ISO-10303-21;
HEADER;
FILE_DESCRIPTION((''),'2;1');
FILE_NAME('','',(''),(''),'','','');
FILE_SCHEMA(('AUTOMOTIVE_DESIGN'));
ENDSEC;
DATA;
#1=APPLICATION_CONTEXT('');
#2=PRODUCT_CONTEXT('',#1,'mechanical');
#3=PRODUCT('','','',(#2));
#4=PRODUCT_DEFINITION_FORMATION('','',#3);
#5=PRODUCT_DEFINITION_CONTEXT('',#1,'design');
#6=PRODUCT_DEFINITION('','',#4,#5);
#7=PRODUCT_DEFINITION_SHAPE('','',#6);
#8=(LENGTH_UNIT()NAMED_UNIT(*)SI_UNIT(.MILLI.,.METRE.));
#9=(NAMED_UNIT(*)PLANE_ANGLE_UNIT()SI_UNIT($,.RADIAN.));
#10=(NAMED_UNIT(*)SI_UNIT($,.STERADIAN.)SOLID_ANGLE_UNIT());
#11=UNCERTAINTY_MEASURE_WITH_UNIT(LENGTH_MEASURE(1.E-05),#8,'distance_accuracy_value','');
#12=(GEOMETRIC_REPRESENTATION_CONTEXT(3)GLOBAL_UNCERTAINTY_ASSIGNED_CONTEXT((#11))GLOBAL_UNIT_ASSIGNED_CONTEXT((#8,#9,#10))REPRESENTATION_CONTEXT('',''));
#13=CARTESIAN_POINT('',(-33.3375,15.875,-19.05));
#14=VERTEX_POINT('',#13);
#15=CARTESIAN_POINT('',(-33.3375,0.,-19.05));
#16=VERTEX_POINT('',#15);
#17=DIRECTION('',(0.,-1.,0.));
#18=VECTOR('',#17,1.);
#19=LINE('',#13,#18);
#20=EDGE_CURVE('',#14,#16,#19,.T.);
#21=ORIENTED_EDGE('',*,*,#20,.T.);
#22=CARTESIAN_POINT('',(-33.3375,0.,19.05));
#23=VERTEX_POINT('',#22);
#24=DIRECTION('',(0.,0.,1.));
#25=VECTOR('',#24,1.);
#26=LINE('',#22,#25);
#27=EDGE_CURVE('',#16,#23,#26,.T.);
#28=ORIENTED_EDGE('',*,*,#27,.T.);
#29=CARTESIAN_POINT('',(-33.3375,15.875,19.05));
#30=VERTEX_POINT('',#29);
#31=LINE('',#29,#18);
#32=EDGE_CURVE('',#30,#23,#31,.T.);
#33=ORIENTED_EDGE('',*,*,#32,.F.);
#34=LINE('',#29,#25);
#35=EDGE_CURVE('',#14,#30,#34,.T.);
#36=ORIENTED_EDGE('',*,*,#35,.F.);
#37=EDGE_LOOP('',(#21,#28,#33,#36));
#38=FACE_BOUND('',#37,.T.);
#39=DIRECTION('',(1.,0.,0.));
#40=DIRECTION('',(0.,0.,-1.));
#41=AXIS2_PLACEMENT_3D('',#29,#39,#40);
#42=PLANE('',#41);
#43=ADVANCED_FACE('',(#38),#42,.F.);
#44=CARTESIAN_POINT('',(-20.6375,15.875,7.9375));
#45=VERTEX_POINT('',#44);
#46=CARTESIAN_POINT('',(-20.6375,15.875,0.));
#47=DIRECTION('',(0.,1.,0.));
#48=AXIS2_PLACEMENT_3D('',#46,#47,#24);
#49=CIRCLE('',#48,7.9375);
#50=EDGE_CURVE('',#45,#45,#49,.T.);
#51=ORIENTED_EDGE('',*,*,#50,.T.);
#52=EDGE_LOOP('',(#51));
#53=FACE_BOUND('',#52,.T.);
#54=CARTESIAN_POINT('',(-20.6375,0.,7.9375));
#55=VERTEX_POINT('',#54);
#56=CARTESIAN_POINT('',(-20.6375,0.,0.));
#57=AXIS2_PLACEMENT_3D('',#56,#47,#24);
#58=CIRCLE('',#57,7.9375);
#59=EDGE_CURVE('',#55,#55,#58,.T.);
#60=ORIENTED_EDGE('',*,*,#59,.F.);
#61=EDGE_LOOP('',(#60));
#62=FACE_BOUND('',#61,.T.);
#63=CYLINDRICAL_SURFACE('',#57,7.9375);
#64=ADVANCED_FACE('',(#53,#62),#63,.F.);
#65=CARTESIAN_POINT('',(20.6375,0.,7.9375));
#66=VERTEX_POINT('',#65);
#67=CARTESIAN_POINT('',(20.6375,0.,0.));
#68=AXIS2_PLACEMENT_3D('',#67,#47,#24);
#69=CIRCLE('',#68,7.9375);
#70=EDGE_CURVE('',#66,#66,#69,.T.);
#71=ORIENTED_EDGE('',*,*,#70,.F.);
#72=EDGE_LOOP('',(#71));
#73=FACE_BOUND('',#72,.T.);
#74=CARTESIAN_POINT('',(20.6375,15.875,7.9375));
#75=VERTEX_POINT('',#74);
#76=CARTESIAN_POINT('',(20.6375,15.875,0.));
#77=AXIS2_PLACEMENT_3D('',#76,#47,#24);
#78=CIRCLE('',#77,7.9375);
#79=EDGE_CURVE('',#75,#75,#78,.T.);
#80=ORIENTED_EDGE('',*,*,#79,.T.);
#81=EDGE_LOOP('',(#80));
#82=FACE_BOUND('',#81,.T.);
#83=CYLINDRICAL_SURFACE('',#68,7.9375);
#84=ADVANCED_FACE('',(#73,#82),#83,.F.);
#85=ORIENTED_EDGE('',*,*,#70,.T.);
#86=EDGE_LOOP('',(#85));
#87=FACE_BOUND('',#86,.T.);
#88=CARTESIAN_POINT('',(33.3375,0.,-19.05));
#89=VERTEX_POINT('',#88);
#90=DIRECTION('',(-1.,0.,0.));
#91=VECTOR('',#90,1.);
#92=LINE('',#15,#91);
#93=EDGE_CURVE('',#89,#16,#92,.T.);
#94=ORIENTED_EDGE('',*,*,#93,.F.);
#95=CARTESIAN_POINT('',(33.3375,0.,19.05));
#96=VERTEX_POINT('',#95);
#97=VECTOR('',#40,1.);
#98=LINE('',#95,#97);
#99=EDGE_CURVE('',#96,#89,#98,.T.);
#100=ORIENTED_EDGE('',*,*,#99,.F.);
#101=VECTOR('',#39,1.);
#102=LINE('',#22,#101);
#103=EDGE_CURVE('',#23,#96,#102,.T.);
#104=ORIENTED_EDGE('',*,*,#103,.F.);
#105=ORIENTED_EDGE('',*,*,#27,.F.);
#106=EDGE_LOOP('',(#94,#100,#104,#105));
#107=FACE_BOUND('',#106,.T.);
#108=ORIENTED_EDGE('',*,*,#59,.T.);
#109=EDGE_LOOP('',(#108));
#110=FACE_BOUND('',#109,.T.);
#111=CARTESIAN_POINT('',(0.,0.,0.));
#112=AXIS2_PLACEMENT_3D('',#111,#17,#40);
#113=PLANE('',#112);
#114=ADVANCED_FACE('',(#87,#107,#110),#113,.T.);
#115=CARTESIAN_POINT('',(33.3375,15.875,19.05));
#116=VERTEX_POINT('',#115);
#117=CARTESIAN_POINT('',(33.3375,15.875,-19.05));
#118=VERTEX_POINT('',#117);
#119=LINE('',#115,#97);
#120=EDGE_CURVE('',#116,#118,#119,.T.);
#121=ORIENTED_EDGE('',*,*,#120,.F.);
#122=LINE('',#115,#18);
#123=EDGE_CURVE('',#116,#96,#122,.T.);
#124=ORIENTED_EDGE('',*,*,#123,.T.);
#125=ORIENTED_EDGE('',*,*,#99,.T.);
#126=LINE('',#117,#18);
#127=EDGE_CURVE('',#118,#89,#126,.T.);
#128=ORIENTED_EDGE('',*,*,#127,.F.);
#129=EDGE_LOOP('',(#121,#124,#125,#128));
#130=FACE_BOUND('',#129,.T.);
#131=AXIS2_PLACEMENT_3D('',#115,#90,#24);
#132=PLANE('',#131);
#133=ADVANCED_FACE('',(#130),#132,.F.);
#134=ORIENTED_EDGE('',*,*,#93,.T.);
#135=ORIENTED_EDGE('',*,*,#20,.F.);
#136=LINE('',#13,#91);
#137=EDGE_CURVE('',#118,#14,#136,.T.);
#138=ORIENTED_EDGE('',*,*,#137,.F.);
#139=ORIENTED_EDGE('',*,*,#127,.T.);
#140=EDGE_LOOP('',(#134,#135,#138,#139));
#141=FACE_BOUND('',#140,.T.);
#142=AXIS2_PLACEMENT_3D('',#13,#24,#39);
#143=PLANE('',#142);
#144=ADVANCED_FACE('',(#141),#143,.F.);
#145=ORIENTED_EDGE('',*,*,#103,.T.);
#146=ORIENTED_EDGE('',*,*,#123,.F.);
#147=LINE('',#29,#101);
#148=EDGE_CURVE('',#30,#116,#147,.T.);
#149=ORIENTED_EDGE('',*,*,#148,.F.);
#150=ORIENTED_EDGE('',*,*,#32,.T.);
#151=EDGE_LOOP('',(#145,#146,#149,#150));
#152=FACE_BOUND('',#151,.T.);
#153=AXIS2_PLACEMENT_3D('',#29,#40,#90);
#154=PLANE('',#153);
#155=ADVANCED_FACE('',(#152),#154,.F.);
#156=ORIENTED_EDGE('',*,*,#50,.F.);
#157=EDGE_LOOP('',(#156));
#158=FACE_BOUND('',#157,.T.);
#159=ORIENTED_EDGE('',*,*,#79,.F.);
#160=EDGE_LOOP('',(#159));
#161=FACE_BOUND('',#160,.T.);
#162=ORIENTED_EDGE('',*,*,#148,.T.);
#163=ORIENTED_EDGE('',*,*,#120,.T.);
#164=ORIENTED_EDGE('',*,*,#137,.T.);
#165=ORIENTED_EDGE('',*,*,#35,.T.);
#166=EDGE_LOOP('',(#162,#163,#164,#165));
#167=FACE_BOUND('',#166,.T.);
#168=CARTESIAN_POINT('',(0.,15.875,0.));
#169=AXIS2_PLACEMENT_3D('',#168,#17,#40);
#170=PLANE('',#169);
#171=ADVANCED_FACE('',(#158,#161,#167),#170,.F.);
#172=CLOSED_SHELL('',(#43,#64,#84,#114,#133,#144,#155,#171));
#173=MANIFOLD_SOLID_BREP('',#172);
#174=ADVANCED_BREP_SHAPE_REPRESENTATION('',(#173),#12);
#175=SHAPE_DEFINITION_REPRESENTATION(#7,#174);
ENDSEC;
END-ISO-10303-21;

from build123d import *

# Parameters (mm, degrees)
SKETCH2_W           = 66.675
SKETCH2_H           = 38.1
BOSS_EXTRUDE1_DEPTH = 15.875
SKETCH3_R           = 7.9375
CUT_EXTRUDE1_DEPTH  = 16.875


with BuildPart() as part:
    # Sketch2 → Boss-Extrude1 (new body)
    with BuildSketch(Plane(origin=(0, 0, 0), x_dir=(1, 0, 0), z_dir=(0, 1, 0))):
        Rectangle(SKETCH2_W, SKETCH2_H)
    extrude(amount=BOSS_EXTRUDE1_DEPTH)

    # Sketch3 → Cut-Extrude1 (cut, through all)
    with BuildSketch(Plane(origin=(0, 15.875, 0), x_dir=(1, 0, 0), z_dir=(0, 1, 0))):
        with Locations((-20.6375, 0)):
            Circle(SKETCH3_R)
        with Locations((20.6375, 0)):
            Circle(SKETCH3_R)
    extrude(amount=-CUT_EXTRUDE1_DEPTH, mode=Mode.SUBTRACT)


solid = part.part
